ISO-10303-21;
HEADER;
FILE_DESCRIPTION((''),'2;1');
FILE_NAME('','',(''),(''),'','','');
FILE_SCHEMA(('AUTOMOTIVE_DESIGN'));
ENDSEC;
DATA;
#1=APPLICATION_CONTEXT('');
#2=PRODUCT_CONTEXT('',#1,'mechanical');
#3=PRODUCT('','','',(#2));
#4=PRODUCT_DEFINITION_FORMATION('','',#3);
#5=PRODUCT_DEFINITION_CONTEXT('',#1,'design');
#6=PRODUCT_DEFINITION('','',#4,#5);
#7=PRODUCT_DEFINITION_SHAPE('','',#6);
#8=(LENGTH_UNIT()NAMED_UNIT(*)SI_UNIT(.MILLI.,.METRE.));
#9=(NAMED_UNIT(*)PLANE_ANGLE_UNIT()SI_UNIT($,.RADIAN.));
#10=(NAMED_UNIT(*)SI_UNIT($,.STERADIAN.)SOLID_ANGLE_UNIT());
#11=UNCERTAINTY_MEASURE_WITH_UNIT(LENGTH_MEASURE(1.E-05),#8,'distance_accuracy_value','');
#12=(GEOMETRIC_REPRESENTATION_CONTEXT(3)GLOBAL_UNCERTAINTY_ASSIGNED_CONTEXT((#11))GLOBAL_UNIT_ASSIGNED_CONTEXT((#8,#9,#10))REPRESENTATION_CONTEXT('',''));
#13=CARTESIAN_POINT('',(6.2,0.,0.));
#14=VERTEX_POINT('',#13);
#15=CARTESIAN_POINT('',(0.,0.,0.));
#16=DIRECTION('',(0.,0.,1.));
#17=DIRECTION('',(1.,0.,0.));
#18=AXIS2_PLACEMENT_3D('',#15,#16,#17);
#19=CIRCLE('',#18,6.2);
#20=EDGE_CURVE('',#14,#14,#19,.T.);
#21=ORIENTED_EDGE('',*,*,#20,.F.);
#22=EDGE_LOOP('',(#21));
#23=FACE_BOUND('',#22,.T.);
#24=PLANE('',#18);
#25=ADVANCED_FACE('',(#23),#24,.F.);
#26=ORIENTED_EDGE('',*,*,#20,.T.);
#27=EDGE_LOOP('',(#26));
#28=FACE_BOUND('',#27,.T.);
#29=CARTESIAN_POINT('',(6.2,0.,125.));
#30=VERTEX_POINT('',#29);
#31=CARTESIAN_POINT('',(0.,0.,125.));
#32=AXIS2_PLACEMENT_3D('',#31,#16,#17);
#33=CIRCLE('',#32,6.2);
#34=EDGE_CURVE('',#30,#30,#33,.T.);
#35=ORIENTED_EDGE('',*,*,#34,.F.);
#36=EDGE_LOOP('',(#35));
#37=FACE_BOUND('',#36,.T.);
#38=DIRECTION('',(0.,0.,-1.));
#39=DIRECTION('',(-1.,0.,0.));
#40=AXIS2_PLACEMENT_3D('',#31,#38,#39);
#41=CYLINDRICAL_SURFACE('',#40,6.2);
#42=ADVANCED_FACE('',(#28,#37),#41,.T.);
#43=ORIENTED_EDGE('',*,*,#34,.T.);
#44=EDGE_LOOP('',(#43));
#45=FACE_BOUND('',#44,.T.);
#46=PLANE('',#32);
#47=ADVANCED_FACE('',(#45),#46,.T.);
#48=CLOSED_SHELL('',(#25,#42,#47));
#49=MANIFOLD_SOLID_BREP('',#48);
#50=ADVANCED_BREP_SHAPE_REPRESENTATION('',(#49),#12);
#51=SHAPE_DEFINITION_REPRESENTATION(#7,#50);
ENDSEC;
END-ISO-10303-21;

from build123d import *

# Parameters (mm, degrees)
SKETCH1_R           = 6.2
BOSS_EXTRUDE1_DEPTH = 125


with BuildPart() as part:
    # Sketch1 → Boss-Extrude1 (new body)
    with BuildSketch(Plane.XY):
        Circle(SKETCH1_R)
    extrude(amount=BOSS_EXTRUDE1_DEPTH)


solid = part.part
